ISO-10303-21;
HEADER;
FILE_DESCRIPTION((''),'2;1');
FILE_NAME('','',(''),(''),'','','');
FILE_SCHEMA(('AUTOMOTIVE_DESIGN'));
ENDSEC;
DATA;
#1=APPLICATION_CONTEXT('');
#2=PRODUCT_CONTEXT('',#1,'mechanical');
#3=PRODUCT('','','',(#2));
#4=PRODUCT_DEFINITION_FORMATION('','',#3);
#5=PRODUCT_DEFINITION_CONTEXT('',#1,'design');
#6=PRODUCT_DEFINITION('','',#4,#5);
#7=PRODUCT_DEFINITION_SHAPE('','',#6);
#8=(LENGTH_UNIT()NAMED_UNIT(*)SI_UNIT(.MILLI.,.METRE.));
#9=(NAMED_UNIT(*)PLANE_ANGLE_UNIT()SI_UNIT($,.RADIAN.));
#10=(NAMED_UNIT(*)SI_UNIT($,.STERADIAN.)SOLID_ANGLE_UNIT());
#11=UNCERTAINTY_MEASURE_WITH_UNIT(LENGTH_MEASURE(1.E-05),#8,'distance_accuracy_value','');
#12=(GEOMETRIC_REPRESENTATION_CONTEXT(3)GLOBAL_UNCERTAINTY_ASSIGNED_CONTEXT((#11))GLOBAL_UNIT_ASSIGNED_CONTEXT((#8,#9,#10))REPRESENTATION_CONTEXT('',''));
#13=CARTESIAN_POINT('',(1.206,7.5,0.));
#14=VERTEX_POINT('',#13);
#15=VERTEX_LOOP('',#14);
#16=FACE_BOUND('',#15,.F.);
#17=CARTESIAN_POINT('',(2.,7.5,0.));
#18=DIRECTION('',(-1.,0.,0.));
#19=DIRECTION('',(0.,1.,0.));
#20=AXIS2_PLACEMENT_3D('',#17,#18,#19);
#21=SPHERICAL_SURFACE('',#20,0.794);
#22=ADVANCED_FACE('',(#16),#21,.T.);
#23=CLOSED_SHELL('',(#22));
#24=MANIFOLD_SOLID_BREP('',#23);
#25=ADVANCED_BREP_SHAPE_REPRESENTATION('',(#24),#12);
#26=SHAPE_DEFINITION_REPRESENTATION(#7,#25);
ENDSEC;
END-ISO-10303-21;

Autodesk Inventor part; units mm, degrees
ref_plane "YZ Plane" through (0, 0, 0) normal (1, 0, 0) x (0, 1, 0)
ref_plane "XZ Plane" through (0, 0, 0) normal (0, 1, 0) x (-1, 0, 0)
ref_plane "XY Plane" through (0, 0, 0) normal (0, 0, 1) x (1, 0, 0)
sketch "Sketch_6" plane through (0, 0, 0) normal (0, 0, 1) x (1, 0, 0)
  line L0 (2.794, 7.5) -> (1.206, 7.5)
  arc A0 (2.794, 7.5) -> (1.206, 7.5) centre (2, 7.5) ccw
  line L1 (2.794, 7.5) -> (1.206, 7.5)
  dimension "d0" = 360
revolve "Revolution1" add sketch "Sketch_6" angle 360 about axis through (2.794, 7.5, 0) along (1, 0, 0)
properties part number "SKF_W 61701-2RS1_PART3"
